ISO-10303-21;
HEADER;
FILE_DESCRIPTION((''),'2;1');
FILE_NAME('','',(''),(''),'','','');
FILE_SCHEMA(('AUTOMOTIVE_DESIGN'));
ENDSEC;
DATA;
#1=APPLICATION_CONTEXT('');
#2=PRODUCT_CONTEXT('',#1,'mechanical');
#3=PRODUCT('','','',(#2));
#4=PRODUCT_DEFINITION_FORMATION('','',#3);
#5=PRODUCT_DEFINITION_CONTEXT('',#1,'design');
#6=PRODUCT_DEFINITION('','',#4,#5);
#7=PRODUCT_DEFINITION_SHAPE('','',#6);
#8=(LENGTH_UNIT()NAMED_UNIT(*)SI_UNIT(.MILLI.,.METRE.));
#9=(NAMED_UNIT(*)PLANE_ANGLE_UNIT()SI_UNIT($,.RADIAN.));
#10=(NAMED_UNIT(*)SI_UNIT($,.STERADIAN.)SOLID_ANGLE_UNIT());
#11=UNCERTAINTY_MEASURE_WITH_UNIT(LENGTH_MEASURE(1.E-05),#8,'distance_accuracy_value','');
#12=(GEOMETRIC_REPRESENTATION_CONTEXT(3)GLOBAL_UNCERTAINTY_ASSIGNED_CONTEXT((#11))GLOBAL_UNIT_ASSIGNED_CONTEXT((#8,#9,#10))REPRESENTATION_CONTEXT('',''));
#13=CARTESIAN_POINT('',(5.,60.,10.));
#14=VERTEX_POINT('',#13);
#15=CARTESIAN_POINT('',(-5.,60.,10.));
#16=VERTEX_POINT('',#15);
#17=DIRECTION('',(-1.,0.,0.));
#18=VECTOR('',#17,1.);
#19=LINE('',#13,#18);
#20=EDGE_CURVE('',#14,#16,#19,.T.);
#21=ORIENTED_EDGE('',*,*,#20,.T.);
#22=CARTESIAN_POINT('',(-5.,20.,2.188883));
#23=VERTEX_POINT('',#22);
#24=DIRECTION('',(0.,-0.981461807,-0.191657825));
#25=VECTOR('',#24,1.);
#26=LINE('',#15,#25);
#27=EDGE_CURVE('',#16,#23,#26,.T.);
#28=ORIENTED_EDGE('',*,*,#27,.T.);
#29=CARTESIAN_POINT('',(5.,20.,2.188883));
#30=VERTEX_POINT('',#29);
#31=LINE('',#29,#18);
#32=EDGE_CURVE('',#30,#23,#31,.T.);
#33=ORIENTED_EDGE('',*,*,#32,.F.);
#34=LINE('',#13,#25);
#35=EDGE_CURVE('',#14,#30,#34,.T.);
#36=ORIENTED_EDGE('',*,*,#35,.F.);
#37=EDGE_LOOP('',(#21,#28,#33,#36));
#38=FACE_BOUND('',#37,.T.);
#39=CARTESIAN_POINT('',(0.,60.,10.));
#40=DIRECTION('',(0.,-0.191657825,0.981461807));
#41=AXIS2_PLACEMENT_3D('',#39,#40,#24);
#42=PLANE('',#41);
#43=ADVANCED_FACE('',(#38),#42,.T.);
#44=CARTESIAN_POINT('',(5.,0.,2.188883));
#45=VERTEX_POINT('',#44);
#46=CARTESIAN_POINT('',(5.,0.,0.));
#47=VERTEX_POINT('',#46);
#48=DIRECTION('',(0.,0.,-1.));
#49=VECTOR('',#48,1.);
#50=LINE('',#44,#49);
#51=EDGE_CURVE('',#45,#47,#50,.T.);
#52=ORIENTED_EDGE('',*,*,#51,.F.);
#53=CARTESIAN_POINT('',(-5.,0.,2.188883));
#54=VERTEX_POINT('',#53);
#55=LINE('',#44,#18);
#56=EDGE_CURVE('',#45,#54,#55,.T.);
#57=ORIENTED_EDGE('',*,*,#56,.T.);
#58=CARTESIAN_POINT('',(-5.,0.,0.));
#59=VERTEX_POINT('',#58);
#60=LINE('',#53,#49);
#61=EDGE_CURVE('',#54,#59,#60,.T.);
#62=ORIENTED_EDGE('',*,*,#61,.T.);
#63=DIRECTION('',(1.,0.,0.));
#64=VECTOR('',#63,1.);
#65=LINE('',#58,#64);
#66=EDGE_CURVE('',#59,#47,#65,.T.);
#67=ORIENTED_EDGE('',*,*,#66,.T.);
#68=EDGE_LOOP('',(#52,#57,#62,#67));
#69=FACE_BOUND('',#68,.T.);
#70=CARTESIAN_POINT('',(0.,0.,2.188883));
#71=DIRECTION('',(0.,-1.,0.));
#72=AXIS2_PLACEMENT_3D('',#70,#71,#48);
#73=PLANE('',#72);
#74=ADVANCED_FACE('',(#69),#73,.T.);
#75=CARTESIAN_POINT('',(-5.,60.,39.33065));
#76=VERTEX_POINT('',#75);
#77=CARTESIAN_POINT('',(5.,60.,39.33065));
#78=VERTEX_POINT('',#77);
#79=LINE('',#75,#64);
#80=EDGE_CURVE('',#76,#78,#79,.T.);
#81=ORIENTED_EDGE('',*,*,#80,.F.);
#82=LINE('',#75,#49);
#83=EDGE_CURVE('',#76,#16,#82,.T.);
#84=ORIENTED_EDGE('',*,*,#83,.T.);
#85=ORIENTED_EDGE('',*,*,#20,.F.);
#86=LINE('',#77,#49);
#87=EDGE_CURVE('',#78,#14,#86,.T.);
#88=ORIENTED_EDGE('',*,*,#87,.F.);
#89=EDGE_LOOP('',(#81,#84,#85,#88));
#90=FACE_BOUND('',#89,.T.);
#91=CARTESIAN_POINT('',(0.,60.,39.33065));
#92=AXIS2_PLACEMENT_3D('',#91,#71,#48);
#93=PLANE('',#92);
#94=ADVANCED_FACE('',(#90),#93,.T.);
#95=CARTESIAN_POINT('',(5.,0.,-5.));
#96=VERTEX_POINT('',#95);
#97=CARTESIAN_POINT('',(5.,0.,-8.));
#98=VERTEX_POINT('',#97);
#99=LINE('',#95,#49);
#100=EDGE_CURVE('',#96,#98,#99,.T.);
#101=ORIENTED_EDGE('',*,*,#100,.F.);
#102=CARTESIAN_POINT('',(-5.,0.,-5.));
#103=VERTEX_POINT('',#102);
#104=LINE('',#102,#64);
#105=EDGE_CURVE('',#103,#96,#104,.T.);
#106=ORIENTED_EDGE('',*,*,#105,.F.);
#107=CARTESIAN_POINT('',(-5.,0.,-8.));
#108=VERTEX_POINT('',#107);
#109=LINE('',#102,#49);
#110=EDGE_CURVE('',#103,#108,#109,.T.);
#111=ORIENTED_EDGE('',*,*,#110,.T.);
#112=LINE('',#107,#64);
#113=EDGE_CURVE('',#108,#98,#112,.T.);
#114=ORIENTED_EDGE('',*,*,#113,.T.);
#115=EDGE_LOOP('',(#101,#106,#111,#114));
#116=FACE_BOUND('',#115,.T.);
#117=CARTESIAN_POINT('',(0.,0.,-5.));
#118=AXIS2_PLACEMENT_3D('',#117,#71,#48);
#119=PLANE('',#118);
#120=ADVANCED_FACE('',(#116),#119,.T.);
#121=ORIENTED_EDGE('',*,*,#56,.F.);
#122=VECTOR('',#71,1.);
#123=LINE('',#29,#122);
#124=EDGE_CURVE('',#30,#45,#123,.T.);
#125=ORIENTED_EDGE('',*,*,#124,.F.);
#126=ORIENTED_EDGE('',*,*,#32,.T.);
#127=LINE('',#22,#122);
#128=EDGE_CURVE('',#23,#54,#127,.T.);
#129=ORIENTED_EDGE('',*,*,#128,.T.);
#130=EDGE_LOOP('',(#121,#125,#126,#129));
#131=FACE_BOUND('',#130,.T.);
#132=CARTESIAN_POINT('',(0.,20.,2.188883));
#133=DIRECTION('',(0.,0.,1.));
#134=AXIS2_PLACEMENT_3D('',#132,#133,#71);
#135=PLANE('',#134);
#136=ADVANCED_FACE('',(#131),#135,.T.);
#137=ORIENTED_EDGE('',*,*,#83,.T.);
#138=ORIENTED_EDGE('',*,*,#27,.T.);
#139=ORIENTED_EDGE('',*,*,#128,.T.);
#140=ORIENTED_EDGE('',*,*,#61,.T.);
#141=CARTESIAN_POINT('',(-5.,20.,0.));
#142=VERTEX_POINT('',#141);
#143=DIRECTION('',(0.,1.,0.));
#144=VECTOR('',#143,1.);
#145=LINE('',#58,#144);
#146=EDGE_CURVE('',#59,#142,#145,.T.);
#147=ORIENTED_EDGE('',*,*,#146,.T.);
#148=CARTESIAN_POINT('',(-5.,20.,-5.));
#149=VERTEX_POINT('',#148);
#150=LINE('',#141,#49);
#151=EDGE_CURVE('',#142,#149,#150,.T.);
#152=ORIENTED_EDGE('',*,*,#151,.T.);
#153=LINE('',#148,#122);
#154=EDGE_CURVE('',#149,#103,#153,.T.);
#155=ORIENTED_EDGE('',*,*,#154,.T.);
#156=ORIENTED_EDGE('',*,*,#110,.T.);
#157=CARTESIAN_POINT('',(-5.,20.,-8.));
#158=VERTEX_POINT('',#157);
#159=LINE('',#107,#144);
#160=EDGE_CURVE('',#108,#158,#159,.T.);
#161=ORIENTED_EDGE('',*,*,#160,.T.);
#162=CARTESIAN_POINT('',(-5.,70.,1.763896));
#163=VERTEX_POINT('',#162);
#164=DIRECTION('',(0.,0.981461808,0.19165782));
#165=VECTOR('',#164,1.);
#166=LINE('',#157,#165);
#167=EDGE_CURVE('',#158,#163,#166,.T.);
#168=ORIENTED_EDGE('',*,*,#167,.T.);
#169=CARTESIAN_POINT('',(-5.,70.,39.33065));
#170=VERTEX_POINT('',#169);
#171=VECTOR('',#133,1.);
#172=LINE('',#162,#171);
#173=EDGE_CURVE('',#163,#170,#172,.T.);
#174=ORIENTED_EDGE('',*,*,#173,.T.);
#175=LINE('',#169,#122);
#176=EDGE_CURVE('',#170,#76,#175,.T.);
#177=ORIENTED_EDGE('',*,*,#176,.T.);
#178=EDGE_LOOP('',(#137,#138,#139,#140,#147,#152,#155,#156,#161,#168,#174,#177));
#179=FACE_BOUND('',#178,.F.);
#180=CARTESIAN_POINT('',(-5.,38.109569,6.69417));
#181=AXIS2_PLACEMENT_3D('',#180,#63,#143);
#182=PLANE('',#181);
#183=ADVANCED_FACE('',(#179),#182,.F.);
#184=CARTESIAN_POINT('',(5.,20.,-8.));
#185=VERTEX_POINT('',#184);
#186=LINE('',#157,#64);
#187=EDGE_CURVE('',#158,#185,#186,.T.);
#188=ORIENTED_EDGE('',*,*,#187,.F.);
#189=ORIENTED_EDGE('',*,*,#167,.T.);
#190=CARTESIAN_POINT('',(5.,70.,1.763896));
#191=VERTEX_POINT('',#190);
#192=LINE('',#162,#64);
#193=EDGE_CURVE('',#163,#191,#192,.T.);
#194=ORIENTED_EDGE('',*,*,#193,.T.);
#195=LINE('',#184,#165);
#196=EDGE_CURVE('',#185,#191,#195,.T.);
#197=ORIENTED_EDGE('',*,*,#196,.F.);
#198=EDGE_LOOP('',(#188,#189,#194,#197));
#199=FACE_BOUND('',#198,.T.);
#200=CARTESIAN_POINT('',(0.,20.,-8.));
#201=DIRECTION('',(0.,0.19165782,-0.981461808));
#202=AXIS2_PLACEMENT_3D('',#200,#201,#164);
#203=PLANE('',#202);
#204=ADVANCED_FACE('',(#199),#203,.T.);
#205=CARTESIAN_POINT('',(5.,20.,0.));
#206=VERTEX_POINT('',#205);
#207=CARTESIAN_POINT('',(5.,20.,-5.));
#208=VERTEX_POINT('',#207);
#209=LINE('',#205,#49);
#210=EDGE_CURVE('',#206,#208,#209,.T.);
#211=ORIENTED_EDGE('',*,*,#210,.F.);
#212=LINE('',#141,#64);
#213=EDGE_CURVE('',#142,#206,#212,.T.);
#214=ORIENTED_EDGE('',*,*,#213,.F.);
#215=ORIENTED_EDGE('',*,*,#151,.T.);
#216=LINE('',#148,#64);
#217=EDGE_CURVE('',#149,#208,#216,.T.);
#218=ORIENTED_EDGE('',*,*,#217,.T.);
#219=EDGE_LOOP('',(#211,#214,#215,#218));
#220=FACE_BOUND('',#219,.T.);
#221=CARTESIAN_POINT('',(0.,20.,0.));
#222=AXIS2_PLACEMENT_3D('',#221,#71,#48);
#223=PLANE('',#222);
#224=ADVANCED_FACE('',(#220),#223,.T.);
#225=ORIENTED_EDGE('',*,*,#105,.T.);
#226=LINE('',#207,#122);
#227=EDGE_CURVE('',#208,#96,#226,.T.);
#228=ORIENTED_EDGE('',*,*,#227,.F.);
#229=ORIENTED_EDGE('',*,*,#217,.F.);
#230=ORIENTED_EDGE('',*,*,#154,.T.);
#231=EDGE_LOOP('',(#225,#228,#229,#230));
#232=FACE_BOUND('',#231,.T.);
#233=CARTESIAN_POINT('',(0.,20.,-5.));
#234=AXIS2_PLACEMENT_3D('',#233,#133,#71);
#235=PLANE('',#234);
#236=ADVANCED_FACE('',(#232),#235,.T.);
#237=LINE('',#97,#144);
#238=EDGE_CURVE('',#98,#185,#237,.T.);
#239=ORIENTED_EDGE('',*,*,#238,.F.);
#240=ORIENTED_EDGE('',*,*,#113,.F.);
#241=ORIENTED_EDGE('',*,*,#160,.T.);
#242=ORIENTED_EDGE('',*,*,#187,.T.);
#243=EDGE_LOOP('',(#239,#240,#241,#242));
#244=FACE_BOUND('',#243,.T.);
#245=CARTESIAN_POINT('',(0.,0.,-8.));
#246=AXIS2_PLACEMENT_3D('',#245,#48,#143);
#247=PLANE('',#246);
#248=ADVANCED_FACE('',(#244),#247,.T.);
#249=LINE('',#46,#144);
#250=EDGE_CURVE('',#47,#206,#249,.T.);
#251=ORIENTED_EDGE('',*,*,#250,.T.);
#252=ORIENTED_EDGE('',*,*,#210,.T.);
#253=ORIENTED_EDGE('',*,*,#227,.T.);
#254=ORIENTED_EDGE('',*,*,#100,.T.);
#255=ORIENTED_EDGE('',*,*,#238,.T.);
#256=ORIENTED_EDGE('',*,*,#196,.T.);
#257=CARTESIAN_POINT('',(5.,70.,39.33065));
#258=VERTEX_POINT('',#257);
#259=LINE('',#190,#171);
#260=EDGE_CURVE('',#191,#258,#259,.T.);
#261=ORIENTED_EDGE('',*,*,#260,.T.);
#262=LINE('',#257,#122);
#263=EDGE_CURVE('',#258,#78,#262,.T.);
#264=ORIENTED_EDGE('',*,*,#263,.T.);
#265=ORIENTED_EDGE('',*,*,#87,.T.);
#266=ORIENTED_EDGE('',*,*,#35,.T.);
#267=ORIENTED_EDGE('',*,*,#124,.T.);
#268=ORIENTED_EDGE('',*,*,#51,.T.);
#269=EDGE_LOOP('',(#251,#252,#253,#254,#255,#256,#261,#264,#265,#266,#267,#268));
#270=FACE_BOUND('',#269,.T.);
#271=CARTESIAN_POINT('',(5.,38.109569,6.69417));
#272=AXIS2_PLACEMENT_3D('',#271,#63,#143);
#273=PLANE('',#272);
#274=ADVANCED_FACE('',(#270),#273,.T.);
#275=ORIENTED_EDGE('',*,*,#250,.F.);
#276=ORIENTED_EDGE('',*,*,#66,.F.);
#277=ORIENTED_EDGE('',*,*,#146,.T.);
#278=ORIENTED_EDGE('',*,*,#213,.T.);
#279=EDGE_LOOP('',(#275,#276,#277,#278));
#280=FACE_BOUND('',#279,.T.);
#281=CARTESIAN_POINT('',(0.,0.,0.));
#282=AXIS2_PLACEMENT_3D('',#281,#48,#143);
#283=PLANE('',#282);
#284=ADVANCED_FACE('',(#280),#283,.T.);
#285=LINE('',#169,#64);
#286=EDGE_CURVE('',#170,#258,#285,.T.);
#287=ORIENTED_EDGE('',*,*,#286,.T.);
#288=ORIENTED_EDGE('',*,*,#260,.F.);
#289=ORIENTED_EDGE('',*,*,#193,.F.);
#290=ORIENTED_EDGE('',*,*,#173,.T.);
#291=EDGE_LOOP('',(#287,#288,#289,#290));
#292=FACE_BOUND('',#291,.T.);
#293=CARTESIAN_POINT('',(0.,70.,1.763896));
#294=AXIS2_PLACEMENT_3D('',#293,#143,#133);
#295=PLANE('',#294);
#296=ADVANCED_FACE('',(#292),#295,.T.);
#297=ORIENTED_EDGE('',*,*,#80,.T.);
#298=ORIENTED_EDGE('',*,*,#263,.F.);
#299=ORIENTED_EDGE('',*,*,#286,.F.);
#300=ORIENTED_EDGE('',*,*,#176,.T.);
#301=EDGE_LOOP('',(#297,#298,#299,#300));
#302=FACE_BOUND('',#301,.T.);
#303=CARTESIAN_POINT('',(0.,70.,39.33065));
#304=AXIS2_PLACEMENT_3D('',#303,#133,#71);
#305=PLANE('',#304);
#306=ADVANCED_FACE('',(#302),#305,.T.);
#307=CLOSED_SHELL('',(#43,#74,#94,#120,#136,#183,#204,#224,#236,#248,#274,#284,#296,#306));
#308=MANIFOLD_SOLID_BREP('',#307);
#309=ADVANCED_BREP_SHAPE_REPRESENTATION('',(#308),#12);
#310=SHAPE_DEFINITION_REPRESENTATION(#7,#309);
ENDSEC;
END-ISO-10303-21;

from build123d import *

# Parameters (mm, degrees)
F1_DEPTH = 5


with BuildPart() as f1:
    # F0 (on Right) → F1 (new body, symmetric)
    with BuildSketch(Plane.YZ):
        Polygon((0, 2.188883), (0, 0), (20, 0), (20, -5), (0, -5), (0, -8), (20, -8), (70, 1.763896), (70, 39.33065), (60, 39.33065), (60, 10), (20, 2.188883), align=None)
    extrude(amount=F1_DEPTH, both=True)


solid = f1.part
